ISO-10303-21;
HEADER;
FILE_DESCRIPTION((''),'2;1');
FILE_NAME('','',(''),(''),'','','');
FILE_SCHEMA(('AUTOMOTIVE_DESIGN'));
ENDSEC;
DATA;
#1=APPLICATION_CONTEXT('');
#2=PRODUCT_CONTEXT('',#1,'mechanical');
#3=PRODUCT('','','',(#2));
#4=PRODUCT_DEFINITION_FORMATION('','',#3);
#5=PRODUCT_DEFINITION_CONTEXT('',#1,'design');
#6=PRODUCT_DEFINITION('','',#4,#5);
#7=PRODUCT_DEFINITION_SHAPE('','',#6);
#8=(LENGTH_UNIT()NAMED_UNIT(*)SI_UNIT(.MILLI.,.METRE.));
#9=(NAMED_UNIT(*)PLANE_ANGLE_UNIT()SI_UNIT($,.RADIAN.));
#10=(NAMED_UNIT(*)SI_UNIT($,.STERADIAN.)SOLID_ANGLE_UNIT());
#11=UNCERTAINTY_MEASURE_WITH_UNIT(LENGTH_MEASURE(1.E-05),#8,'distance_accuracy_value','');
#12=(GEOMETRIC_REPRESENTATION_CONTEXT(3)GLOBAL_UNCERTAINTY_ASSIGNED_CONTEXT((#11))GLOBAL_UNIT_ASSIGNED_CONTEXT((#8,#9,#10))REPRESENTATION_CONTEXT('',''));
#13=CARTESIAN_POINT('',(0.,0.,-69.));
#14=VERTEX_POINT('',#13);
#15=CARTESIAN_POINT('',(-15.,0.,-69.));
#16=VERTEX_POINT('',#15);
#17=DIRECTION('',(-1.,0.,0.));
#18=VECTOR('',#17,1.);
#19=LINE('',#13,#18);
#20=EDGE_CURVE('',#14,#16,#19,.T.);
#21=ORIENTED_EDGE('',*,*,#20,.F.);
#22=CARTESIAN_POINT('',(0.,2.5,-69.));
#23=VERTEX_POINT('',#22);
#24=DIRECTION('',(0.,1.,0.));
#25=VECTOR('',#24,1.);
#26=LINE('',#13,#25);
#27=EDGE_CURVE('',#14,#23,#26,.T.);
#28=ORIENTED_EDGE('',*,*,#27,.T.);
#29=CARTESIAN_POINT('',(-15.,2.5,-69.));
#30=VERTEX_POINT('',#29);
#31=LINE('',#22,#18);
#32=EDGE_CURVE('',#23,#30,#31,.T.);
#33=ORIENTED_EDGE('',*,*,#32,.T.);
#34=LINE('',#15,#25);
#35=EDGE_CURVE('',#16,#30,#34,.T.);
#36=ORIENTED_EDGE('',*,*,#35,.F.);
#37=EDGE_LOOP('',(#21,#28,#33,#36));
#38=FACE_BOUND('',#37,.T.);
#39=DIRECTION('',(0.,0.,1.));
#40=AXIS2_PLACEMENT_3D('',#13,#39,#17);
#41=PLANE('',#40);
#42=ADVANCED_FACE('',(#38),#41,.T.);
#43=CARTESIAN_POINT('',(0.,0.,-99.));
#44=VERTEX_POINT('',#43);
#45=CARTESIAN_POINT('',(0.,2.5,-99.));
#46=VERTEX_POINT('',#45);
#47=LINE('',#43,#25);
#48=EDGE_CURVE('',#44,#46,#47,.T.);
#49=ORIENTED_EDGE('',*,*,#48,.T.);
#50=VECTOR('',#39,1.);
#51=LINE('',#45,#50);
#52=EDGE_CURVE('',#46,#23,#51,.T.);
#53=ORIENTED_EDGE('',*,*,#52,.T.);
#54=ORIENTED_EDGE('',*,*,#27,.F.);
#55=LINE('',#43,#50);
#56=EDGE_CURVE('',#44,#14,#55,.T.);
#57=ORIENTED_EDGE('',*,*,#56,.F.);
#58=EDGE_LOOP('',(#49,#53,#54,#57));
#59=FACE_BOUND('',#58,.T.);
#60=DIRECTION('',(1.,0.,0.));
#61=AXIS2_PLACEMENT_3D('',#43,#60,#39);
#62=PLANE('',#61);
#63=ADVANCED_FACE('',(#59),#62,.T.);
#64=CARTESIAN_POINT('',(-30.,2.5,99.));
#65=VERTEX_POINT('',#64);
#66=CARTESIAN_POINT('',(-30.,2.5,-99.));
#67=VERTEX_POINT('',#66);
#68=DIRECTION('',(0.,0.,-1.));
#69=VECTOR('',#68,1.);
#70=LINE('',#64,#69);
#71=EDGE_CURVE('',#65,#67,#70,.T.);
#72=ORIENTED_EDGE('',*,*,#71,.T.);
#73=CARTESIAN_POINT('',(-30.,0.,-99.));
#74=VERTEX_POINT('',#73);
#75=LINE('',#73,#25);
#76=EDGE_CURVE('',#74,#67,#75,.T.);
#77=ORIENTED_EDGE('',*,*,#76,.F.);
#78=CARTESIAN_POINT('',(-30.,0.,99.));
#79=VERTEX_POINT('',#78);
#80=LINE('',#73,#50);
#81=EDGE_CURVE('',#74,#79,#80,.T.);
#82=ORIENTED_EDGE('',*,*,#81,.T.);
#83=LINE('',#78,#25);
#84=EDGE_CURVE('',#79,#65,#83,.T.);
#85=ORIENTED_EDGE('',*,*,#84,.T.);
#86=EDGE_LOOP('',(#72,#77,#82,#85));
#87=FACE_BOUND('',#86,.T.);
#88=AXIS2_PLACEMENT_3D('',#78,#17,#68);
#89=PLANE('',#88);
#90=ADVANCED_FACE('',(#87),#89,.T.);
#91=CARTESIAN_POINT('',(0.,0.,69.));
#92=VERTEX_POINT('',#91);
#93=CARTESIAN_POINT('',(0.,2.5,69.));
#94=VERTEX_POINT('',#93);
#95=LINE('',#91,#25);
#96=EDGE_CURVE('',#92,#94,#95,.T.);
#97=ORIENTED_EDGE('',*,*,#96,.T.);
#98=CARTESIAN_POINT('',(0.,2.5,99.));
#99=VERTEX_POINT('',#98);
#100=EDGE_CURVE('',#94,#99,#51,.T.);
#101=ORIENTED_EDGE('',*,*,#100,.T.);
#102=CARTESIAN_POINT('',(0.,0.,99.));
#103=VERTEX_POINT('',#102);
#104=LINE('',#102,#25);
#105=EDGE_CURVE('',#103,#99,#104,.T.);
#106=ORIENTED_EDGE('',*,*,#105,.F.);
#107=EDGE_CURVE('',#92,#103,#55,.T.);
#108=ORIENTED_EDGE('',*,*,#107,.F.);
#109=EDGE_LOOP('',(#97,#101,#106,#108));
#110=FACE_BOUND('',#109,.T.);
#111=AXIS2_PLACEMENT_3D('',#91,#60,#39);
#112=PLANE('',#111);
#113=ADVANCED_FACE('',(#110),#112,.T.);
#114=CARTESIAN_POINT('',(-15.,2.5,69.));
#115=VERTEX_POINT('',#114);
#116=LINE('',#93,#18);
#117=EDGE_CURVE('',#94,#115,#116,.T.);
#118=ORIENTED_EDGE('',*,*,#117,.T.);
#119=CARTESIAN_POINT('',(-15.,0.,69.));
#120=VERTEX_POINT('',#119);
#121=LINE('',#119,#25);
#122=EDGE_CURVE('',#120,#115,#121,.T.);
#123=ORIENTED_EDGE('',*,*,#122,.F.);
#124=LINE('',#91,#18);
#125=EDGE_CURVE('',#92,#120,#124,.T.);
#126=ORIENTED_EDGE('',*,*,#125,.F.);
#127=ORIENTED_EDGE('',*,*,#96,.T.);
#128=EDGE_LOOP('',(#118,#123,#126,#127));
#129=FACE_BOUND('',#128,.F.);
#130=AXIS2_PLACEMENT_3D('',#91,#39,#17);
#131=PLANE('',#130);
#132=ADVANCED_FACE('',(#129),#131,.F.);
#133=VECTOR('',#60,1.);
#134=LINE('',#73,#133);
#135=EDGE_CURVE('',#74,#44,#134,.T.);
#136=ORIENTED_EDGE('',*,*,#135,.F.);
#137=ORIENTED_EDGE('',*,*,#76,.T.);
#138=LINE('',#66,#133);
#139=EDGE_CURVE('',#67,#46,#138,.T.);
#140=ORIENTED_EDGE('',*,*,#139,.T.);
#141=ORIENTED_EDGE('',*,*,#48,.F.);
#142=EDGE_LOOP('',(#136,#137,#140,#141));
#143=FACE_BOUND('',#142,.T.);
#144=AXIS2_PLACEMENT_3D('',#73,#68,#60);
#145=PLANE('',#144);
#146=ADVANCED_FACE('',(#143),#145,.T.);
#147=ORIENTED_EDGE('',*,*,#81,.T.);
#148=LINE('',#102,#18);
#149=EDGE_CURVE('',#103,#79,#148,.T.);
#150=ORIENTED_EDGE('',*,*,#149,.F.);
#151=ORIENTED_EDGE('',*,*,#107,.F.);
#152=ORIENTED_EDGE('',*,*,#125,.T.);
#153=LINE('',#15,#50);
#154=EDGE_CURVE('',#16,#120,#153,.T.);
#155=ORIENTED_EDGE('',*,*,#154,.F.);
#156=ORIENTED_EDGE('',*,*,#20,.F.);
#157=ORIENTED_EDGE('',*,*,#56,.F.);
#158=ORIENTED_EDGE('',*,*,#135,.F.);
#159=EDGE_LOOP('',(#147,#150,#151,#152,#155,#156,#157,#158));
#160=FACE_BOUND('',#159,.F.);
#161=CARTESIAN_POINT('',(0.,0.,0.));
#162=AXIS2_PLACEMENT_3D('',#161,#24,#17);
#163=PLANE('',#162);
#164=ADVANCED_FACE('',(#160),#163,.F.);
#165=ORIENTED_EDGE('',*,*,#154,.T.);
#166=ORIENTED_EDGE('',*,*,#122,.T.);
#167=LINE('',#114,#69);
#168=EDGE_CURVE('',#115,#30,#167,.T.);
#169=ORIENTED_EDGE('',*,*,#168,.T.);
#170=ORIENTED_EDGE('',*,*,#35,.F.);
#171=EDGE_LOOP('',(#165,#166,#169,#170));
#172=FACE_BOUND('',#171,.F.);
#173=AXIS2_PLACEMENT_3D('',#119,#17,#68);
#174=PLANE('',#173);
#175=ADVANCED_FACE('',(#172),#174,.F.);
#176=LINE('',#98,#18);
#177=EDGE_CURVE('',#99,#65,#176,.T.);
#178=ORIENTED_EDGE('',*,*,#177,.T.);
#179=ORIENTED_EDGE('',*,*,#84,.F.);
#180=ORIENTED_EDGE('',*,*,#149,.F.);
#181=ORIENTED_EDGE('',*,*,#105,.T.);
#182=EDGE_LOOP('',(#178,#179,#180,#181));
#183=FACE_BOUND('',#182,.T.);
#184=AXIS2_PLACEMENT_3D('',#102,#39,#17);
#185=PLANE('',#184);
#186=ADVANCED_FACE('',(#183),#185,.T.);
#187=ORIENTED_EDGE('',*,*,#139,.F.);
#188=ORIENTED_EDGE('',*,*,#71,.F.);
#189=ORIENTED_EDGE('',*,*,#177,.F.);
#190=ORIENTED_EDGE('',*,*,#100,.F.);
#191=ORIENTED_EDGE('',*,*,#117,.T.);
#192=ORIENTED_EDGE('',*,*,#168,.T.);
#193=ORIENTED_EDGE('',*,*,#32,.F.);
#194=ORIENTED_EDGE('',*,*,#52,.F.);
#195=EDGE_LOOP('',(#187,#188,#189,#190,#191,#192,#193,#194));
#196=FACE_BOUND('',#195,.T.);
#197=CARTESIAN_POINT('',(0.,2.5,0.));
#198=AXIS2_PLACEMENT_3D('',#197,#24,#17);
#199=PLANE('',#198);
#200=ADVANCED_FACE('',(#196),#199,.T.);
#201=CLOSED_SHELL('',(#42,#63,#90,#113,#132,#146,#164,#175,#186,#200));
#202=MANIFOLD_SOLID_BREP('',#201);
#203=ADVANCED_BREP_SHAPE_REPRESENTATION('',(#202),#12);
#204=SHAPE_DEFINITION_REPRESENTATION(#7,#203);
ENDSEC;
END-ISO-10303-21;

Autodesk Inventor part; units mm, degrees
ref_plane "YZ Plane" through (0, 0, 0) normal (1, 0, 0) x (0, 1, 0)
ref_plane "XZ Plane" through (0, 0, 0) normal (0, 1, 0) x (-1, 0, 0)
ref_plane "XY Plane" through (0, 0, 0) normal (0, 0, 1) x (1, 0, 0)
sketch "スケッチ1" plane through (0, 0, 0) normal (0, 1, 0) x (-1, 0, 0)
  line L0 (0, 99) -> (30, 99)
  line L1 (30, 99) -> (30, -99)
  line L2 (30, -99) -> (0, -99)
  line L3 (0, -99) -> (0, 99)
  line L4 (0, -69) -> (15, -69)
  line L5 (15, -69) -> (15, 0)
  line L6 (36, 0) -> (-6, 0) projected
  line L7 (0, 69) -> (15, 69)
  line L8 (15, 69) -> (15, 0)
  point P0 (0, 0)
  point P1 (0, 0)
  dimension "d0" = 198
  dimension "d1" = 30
  dimension "d32" = 30
  dimension "d33" = 15
extrude "押し出し1" add sketch "スケッチ1" along normal blind 2.5 contours L0 L1 L6 L8 L7 L3 | L1 L2 L3 L4 L5 L6
properties part number "belt_rail" material "木材 (カエデ材)"
